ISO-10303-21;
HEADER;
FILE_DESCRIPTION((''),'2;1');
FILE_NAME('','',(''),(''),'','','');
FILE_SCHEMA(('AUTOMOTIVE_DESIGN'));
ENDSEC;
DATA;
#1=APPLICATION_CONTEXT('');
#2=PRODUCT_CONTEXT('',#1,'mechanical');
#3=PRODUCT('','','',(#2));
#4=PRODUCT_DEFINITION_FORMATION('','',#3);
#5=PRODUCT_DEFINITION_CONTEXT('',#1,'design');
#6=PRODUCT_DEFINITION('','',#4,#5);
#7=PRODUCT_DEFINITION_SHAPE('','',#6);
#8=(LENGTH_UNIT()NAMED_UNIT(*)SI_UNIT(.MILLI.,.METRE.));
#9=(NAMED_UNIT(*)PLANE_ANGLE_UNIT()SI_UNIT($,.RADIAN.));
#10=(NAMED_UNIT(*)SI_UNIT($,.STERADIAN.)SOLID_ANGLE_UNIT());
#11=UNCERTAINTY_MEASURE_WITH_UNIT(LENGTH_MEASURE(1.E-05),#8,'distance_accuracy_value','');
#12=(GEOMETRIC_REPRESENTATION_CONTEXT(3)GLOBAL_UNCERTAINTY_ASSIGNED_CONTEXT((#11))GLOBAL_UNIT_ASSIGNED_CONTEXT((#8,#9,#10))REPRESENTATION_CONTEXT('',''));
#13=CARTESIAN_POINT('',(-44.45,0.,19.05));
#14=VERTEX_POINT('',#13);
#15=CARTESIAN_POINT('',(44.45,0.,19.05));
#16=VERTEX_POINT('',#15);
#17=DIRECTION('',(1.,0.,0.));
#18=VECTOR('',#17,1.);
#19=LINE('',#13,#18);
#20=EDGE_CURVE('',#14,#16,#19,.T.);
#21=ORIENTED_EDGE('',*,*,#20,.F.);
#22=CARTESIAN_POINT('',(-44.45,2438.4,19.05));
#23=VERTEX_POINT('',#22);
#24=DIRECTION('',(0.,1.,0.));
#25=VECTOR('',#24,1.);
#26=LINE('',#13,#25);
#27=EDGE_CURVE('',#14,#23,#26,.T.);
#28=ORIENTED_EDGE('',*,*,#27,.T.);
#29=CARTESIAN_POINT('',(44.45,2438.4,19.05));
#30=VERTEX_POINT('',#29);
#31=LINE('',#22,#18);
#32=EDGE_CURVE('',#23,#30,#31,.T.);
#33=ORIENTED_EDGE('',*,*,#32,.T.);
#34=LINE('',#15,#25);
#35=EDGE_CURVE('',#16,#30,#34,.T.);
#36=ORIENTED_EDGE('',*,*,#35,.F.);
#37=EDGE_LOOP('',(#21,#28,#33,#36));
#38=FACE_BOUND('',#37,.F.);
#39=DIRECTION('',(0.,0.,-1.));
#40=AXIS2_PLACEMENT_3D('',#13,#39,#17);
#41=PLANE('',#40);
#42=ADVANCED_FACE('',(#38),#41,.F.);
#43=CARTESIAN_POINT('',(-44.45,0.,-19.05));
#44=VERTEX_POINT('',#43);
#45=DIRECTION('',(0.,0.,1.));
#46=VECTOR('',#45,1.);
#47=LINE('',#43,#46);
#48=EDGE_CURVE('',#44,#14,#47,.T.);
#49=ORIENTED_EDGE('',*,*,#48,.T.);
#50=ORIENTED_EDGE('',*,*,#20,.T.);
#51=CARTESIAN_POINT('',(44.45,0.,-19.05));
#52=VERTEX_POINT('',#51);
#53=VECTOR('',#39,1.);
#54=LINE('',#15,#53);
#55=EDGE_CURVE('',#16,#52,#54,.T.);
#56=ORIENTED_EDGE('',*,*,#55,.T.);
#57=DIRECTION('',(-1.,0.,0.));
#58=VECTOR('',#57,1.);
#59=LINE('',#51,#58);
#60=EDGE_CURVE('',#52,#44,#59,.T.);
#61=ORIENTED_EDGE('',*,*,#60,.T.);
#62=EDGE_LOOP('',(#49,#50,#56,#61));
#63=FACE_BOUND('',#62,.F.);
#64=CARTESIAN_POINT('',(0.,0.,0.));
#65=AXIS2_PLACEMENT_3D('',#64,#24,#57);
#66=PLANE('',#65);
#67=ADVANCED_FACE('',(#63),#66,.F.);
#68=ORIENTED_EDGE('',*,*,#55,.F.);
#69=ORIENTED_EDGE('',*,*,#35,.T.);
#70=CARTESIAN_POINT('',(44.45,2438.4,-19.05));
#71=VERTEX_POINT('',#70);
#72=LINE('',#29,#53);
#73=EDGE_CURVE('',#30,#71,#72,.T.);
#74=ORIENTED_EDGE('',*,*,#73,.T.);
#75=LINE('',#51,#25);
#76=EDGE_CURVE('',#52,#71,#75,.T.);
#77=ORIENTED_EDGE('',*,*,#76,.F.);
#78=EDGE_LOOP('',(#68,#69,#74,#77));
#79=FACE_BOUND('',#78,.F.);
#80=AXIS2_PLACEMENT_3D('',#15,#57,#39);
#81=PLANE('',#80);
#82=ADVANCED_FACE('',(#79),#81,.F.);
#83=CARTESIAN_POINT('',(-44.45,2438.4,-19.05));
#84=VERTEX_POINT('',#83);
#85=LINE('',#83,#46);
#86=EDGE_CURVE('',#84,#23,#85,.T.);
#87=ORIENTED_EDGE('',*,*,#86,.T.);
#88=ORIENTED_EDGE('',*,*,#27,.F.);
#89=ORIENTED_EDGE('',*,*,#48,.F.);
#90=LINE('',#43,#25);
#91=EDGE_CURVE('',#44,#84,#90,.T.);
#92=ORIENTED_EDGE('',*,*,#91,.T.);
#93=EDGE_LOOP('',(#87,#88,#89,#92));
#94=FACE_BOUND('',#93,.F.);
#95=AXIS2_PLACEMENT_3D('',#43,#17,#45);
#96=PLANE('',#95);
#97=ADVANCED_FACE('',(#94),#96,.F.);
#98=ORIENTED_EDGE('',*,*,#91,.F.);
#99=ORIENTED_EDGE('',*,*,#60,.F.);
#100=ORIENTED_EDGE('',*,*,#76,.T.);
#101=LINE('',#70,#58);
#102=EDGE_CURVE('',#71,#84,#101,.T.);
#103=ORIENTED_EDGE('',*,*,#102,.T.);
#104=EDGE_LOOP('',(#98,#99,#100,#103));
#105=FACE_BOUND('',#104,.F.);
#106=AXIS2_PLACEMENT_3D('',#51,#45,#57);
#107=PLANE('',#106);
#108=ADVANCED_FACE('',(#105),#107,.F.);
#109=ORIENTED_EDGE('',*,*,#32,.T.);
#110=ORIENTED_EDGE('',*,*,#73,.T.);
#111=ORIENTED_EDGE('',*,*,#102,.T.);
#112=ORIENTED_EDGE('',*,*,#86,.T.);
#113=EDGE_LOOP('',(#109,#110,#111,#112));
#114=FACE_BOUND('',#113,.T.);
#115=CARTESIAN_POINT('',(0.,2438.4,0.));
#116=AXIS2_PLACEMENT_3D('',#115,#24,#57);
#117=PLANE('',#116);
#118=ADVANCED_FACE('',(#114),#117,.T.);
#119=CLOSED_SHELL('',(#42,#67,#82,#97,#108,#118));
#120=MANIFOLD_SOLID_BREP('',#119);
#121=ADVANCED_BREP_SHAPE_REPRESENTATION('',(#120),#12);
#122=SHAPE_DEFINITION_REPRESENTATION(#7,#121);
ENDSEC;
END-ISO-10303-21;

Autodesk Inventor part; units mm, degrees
ref_plane "YZ Plane" through (0, 0, 0) normal (1, 0, 0) x (0, 1, 0)
ref_plane "XZ Plane" through (0, 0, 0) normal (0, 1, 0) x (-1, 0, 0)
ref_plane "XY Plane" through (0, 0, 0) normal (0, 0, 1) x (1, 0, 0)
sketch "Sketch1" plane through (0, 0, 0) normal (0, 1, 0) x (-1, 0, 0)
  line L0 (-44.45, -19.05) -> (44.45, -19.05)
  line L1 (44.45, -19.05) -> (44.45, 19.05)
  line L2 (44.45, 19.05) -> (-44.45, 19.05)
  line L3 (-44.45, 19.05) -> (-44.45, -19.05)
  line L4 (-44.45, -19.05) -> (44.45, 19.05) construction
  line L5 (44.45, -19.05) -> (-44.45, 19.05) construction
  point P0 (0, 0)
  dimension "d0" = 38.1
  dimension "d1" = 88.9
extrude "Extrusion1" add sketch "Sketch1" along normal blind 2438.4
properties part number "2x4x120"
